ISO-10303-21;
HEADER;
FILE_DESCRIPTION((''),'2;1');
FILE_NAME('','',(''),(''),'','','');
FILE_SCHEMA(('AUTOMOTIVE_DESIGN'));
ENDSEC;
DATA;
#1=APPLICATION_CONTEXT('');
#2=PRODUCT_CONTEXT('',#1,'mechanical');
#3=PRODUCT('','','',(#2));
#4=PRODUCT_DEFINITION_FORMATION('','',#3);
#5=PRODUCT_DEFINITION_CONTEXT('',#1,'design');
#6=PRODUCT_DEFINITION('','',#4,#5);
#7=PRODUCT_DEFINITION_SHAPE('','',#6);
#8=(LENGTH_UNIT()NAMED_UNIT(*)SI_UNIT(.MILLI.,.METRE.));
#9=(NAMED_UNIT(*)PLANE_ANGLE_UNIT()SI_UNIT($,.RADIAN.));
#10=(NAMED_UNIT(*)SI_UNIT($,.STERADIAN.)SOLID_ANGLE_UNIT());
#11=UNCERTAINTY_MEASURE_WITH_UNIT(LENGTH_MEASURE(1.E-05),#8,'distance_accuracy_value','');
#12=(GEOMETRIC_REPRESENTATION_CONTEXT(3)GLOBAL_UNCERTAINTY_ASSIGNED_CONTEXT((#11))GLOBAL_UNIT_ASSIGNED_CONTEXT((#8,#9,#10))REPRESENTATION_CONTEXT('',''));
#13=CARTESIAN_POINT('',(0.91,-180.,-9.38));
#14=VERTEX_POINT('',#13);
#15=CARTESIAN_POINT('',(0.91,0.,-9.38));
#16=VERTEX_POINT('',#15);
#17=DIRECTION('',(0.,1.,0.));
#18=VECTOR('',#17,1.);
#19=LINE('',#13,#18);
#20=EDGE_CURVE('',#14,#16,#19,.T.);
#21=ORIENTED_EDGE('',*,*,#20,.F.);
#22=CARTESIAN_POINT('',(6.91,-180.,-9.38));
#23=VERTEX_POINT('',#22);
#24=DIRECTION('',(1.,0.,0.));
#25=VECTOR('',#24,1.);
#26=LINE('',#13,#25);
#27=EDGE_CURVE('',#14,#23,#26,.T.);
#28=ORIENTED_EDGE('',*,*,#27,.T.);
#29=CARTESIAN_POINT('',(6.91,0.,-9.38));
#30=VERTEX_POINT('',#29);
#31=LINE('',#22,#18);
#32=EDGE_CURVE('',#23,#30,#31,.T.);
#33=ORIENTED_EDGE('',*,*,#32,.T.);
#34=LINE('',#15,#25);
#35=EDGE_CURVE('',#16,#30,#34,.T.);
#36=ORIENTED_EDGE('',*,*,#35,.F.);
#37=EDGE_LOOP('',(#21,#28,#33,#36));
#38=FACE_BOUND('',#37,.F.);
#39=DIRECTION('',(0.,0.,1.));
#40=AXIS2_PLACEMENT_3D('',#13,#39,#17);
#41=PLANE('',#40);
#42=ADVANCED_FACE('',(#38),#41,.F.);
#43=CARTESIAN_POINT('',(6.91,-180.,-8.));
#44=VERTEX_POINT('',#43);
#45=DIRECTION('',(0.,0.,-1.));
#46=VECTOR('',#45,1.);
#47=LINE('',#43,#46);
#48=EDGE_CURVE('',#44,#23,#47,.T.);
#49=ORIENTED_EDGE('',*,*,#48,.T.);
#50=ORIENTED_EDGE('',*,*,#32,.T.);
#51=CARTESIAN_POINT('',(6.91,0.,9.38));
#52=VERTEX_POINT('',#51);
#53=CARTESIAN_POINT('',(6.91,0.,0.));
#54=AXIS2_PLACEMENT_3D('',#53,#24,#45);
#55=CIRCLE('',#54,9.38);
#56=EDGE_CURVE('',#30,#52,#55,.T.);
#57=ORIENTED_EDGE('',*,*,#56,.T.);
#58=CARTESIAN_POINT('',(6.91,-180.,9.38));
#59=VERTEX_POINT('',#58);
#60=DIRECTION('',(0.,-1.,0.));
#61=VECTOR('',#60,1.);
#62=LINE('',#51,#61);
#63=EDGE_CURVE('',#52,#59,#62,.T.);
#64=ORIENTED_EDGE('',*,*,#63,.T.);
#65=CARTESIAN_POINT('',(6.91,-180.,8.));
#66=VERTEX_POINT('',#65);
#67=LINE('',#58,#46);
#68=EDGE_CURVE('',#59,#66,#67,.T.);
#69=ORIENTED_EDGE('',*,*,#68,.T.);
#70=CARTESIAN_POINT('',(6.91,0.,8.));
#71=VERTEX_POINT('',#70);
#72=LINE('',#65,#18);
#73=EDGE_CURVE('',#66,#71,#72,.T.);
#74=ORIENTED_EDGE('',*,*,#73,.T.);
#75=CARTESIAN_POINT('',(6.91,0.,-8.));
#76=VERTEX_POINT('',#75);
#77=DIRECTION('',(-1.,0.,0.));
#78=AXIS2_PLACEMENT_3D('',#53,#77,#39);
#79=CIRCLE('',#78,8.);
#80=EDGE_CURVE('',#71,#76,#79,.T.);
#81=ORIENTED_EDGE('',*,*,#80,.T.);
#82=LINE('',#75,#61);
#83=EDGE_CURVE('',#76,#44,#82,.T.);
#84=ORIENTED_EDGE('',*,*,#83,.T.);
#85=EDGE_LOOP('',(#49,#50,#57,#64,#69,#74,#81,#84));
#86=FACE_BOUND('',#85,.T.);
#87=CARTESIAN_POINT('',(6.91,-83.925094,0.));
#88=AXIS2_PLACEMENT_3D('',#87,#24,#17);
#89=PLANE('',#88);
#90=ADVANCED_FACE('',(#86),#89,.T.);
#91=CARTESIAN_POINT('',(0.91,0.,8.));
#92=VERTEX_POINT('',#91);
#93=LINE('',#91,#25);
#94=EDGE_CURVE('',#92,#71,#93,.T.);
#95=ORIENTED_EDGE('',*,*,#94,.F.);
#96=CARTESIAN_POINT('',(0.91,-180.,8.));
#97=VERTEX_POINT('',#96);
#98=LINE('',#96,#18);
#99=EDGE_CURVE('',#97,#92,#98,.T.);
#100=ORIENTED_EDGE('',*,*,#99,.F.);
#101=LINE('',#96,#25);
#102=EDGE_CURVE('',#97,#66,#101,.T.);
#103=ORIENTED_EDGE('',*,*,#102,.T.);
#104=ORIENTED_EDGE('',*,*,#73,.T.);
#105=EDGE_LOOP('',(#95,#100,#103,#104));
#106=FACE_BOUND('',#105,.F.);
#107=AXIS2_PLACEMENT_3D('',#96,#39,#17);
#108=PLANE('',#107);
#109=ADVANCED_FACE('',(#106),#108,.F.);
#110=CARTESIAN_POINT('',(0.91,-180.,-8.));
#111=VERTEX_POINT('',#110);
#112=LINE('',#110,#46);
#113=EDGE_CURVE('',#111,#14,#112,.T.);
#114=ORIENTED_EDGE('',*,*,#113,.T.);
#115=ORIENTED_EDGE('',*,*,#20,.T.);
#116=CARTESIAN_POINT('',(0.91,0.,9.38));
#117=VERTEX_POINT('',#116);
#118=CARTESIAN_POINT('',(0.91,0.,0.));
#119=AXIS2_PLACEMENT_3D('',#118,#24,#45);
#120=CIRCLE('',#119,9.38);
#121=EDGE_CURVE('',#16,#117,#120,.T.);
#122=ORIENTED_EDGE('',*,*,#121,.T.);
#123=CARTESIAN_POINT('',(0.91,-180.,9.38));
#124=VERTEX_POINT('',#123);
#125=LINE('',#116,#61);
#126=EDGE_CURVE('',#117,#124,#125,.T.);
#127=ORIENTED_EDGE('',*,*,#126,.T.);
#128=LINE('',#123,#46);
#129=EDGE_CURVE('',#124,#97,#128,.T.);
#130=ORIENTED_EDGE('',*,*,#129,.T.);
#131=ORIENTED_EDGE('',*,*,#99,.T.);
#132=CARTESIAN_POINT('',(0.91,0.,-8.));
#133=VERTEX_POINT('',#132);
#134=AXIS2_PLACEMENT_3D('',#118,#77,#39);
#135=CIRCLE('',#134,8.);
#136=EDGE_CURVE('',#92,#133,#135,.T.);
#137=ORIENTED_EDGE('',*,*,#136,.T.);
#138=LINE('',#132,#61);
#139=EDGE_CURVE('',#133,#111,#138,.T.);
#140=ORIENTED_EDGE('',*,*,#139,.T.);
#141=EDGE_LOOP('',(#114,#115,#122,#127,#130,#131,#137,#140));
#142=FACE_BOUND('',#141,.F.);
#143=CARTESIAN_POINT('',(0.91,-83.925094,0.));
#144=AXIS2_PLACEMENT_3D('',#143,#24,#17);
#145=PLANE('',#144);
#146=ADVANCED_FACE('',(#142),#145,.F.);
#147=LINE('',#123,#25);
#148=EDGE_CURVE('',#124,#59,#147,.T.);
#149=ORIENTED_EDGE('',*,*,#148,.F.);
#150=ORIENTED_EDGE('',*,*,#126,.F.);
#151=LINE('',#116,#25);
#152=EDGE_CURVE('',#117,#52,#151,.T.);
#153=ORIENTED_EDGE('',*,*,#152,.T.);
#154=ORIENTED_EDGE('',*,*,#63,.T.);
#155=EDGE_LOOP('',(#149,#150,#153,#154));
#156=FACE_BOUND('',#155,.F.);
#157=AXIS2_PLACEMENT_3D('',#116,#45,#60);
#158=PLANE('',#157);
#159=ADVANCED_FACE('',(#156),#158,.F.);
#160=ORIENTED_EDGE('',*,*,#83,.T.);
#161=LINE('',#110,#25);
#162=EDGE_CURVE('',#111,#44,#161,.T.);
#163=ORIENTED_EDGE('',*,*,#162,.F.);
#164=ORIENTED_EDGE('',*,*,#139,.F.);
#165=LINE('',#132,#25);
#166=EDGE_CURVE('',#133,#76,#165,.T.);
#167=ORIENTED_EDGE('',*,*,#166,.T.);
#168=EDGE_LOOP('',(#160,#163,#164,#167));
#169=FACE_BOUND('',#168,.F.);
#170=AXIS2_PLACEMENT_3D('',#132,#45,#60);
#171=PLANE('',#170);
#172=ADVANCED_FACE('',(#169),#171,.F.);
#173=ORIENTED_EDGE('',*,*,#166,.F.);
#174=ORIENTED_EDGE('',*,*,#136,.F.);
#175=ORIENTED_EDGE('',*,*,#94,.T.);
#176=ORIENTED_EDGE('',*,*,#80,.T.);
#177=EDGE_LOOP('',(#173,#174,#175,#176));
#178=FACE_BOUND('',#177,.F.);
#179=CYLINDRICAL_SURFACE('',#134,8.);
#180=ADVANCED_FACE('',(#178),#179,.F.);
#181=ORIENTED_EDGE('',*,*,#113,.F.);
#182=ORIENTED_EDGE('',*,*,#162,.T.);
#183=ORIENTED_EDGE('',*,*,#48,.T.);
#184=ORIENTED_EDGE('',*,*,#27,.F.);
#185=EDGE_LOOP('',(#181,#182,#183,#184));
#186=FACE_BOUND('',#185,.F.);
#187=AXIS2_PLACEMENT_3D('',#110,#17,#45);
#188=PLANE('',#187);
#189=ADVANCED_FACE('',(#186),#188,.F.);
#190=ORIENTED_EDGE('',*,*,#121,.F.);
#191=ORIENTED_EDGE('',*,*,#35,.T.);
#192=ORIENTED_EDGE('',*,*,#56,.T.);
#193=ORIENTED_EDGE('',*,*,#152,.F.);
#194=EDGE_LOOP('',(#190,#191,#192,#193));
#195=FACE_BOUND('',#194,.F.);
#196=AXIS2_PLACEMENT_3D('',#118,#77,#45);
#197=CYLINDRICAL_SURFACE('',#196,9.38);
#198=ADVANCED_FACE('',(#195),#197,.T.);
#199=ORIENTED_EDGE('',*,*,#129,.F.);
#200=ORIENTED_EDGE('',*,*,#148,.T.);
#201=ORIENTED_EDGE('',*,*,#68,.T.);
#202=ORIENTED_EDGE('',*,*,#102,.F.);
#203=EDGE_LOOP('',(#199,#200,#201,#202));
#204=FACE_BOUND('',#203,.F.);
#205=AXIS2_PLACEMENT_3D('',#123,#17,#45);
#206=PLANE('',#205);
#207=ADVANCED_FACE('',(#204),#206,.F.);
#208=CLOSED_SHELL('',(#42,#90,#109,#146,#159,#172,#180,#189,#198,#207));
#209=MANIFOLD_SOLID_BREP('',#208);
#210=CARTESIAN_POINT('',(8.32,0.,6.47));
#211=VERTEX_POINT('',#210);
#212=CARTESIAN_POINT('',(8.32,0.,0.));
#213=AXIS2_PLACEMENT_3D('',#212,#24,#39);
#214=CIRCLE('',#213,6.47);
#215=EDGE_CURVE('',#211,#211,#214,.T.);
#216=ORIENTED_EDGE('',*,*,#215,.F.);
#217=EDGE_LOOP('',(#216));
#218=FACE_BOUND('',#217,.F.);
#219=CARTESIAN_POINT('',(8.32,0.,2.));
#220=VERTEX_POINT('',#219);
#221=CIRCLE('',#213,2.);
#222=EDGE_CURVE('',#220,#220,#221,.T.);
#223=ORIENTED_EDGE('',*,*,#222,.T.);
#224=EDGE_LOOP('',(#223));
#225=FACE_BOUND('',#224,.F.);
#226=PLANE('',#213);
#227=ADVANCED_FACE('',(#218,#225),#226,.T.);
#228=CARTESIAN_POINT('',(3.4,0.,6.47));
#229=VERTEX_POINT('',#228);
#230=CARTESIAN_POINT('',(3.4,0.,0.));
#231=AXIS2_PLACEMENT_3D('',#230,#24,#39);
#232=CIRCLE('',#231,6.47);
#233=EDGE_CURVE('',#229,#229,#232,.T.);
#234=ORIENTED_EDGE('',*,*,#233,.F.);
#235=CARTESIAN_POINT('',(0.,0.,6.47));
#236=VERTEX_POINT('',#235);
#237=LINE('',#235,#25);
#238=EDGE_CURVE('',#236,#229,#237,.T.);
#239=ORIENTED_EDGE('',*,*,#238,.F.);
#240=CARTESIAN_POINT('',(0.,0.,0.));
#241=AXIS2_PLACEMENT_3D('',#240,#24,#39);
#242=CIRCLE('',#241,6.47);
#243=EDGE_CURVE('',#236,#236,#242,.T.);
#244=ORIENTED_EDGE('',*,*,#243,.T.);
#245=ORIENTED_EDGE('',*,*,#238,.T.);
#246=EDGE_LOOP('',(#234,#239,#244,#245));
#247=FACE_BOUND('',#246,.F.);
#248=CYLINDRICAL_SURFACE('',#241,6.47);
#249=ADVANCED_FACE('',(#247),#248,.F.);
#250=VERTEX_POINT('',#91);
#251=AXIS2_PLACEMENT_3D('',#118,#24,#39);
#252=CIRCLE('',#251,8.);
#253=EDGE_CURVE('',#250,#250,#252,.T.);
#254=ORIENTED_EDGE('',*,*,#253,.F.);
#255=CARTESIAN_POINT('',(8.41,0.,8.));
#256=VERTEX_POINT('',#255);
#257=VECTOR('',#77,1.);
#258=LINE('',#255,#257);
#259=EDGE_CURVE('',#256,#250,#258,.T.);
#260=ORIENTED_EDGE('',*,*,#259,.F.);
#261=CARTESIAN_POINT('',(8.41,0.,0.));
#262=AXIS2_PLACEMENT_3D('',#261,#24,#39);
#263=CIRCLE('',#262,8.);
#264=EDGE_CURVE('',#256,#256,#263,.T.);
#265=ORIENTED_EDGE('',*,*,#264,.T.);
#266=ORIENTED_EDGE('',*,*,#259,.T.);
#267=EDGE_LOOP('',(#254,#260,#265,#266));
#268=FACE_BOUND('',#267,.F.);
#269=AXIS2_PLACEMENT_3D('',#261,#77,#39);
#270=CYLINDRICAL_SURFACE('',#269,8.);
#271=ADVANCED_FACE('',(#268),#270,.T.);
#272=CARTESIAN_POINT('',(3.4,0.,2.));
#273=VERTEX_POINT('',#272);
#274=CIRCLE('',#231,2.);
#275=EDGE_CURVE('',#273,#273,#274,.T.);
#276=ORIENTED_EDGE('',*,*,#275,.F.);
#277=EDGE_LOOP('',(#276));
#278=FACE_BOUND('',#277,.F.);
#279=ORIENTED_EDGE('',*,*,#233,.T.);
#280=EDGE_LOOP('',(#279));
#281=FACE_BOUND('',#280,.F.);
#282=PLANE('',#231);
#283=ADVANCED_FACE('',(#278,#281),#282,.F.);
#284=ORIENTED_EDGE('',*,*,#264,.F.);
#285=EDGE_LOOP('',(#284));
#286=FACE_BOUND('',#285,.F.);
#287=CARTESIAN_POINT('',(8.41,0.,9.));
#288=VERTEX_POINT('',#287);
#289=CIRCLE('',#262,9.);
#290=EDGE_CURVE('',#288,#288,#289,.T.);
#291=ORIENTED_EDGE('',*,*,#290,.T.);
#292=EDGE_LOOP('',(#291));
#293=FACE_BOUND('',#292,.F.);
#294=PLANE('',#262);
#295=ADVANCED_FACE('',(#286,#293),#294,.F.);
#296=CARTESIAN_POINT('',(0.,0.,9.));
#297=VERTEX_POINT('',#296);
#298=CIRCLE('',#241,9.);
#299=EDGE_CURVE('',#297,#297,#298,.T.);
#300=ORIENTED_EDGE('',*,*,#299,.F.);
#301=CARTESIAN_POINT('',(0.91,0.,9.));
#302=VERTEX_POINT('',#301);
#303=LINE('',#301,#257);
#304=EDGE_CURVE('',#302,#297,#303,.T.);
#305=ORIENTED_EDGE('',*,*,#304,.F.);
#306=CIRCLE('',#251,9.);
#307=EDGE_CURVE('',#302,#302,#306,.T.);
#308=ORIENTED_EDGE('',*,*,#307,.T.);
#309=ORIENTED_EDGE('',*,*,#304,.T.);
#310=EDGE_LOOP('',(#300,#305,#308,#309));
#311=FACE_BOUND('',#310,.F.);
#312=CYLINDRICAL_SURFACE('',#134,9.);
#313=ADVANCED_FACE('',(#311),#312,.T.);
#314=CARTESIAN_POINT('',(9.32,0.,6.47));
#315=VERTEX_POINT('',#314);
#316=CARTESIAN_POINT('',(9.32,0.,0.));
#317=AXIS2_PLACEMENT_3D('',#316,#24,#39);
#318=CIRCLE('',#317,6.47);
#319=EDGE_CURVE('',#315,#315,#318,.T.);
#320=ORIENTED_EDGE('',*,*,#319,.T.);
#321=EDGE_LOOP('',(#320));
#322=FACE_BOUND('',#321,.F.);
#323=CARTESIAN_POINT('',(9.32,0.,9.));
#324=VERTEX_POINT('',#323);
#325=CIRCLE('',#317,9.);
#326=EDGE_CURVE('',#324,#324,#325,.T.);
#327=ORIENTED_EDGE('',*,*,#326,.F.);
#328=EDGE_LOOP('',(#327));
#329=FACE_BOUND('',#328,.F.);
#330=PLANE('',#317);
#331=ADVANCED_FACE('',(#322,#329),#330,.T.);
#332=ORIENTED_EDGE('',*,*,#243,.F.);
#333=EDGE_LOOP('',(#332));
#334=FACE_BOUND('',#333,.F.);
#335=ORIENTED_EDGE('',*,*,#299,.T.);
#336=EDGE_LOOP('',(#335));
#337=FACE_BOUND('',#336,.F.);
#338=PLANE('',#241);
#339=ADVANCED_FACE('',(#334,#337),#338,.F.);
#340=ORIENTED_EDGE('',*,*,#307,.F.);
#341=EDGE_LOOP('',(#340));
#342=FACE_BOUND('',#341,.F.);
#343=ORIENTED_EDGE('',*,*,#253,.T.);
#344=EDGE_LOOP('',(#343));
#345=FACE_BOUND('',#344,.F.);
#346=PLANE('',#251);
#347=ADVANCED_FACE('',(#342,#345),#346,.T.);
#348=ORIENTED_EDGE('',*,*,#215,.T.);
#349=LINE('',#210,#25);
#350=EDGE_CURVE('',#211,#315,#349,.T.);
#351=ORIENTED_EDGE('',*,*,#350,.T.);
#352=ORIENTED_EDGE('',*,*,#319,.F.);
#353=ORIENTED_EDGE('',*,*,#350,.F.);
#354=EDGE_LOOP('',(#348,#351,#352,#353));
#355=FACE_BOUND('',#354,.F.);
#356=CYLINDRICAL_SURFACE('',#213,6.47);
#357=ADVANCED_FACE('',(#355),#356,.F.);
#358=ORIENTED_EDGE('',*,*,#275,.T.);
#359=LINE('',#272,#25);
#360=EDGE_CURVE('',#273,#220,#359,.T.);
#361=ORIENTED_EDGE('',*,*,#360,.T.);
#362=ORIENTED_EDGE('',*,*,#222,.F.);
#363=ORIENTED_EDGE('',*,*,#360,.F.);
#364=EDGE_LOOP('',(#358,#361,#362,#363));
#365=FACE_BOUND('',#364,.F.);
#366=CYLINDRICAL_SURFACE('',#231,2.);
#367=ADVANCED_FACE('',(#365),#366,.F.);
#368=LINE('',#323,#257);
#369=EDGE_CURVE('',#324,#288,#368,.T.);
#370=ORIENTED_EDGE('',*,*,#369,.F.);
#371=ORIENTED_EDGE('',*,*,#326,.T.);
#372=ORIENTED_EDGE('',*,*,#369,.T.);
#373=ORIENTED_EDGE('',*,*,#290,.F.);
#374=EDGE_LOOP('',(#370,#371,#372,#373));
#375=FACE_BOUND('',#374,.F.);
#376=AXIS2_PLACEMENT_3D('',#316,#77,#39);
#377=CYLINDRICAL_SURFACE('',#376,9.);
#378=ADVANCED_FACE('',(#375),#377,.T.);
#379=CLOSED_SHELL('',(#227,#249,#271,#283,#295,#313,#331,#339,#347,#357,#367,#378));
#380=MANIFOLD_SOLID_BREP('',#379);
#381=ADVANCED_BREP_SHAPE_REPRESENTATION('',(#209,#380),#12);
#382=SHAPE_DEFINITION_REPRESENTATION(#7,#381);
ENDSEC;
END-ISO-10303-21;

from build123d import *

# Parameters (mm, degrees)
F3_DEPTH = 6


with BuildPart() as f1:
    # F0 (on Front) → F1 (revolve)
    with BuildSketch(Plane.XZ):
        Polygon((0, 9), (0, 6.47), (3.4, 6.47), (3.4, 2), (8.32, 2), (8.32, 6.47), (9.32, 6.47), (9.32, 9), (8.41, 9), (8.41, 8), (0.91, 8), (0.91, 9), align=None)
    revolve(axis=Axis((4.66, 0, 0), (1, 0, 0)))


with BuildPart() as f3:
    # F2 (on face) → F3 (new body)
    with BuildSketch(Plane.YZ.offset(0.91)):
        with BuildLine():
            ThreePointArc((0, 8), (8, 0), (0, -8))
            Line((0, -8), (-180, -8))
            Line((-180, -8), (-180, -9.38))
            Line((-180, -9.38), (0, -9.38))
            ThreePointArc((0, -9.38), (9.38, 0), (0, 9.38))
            Line((0, 9.38), (-180, 9.38))
            Line((-180, 9.38), (-180, 8))
            Line((-180, 8), (0, 8))
        make_face()
    extrude(amount=F3_DEPTH)


solid = Compound([f1.part, f3.part])
